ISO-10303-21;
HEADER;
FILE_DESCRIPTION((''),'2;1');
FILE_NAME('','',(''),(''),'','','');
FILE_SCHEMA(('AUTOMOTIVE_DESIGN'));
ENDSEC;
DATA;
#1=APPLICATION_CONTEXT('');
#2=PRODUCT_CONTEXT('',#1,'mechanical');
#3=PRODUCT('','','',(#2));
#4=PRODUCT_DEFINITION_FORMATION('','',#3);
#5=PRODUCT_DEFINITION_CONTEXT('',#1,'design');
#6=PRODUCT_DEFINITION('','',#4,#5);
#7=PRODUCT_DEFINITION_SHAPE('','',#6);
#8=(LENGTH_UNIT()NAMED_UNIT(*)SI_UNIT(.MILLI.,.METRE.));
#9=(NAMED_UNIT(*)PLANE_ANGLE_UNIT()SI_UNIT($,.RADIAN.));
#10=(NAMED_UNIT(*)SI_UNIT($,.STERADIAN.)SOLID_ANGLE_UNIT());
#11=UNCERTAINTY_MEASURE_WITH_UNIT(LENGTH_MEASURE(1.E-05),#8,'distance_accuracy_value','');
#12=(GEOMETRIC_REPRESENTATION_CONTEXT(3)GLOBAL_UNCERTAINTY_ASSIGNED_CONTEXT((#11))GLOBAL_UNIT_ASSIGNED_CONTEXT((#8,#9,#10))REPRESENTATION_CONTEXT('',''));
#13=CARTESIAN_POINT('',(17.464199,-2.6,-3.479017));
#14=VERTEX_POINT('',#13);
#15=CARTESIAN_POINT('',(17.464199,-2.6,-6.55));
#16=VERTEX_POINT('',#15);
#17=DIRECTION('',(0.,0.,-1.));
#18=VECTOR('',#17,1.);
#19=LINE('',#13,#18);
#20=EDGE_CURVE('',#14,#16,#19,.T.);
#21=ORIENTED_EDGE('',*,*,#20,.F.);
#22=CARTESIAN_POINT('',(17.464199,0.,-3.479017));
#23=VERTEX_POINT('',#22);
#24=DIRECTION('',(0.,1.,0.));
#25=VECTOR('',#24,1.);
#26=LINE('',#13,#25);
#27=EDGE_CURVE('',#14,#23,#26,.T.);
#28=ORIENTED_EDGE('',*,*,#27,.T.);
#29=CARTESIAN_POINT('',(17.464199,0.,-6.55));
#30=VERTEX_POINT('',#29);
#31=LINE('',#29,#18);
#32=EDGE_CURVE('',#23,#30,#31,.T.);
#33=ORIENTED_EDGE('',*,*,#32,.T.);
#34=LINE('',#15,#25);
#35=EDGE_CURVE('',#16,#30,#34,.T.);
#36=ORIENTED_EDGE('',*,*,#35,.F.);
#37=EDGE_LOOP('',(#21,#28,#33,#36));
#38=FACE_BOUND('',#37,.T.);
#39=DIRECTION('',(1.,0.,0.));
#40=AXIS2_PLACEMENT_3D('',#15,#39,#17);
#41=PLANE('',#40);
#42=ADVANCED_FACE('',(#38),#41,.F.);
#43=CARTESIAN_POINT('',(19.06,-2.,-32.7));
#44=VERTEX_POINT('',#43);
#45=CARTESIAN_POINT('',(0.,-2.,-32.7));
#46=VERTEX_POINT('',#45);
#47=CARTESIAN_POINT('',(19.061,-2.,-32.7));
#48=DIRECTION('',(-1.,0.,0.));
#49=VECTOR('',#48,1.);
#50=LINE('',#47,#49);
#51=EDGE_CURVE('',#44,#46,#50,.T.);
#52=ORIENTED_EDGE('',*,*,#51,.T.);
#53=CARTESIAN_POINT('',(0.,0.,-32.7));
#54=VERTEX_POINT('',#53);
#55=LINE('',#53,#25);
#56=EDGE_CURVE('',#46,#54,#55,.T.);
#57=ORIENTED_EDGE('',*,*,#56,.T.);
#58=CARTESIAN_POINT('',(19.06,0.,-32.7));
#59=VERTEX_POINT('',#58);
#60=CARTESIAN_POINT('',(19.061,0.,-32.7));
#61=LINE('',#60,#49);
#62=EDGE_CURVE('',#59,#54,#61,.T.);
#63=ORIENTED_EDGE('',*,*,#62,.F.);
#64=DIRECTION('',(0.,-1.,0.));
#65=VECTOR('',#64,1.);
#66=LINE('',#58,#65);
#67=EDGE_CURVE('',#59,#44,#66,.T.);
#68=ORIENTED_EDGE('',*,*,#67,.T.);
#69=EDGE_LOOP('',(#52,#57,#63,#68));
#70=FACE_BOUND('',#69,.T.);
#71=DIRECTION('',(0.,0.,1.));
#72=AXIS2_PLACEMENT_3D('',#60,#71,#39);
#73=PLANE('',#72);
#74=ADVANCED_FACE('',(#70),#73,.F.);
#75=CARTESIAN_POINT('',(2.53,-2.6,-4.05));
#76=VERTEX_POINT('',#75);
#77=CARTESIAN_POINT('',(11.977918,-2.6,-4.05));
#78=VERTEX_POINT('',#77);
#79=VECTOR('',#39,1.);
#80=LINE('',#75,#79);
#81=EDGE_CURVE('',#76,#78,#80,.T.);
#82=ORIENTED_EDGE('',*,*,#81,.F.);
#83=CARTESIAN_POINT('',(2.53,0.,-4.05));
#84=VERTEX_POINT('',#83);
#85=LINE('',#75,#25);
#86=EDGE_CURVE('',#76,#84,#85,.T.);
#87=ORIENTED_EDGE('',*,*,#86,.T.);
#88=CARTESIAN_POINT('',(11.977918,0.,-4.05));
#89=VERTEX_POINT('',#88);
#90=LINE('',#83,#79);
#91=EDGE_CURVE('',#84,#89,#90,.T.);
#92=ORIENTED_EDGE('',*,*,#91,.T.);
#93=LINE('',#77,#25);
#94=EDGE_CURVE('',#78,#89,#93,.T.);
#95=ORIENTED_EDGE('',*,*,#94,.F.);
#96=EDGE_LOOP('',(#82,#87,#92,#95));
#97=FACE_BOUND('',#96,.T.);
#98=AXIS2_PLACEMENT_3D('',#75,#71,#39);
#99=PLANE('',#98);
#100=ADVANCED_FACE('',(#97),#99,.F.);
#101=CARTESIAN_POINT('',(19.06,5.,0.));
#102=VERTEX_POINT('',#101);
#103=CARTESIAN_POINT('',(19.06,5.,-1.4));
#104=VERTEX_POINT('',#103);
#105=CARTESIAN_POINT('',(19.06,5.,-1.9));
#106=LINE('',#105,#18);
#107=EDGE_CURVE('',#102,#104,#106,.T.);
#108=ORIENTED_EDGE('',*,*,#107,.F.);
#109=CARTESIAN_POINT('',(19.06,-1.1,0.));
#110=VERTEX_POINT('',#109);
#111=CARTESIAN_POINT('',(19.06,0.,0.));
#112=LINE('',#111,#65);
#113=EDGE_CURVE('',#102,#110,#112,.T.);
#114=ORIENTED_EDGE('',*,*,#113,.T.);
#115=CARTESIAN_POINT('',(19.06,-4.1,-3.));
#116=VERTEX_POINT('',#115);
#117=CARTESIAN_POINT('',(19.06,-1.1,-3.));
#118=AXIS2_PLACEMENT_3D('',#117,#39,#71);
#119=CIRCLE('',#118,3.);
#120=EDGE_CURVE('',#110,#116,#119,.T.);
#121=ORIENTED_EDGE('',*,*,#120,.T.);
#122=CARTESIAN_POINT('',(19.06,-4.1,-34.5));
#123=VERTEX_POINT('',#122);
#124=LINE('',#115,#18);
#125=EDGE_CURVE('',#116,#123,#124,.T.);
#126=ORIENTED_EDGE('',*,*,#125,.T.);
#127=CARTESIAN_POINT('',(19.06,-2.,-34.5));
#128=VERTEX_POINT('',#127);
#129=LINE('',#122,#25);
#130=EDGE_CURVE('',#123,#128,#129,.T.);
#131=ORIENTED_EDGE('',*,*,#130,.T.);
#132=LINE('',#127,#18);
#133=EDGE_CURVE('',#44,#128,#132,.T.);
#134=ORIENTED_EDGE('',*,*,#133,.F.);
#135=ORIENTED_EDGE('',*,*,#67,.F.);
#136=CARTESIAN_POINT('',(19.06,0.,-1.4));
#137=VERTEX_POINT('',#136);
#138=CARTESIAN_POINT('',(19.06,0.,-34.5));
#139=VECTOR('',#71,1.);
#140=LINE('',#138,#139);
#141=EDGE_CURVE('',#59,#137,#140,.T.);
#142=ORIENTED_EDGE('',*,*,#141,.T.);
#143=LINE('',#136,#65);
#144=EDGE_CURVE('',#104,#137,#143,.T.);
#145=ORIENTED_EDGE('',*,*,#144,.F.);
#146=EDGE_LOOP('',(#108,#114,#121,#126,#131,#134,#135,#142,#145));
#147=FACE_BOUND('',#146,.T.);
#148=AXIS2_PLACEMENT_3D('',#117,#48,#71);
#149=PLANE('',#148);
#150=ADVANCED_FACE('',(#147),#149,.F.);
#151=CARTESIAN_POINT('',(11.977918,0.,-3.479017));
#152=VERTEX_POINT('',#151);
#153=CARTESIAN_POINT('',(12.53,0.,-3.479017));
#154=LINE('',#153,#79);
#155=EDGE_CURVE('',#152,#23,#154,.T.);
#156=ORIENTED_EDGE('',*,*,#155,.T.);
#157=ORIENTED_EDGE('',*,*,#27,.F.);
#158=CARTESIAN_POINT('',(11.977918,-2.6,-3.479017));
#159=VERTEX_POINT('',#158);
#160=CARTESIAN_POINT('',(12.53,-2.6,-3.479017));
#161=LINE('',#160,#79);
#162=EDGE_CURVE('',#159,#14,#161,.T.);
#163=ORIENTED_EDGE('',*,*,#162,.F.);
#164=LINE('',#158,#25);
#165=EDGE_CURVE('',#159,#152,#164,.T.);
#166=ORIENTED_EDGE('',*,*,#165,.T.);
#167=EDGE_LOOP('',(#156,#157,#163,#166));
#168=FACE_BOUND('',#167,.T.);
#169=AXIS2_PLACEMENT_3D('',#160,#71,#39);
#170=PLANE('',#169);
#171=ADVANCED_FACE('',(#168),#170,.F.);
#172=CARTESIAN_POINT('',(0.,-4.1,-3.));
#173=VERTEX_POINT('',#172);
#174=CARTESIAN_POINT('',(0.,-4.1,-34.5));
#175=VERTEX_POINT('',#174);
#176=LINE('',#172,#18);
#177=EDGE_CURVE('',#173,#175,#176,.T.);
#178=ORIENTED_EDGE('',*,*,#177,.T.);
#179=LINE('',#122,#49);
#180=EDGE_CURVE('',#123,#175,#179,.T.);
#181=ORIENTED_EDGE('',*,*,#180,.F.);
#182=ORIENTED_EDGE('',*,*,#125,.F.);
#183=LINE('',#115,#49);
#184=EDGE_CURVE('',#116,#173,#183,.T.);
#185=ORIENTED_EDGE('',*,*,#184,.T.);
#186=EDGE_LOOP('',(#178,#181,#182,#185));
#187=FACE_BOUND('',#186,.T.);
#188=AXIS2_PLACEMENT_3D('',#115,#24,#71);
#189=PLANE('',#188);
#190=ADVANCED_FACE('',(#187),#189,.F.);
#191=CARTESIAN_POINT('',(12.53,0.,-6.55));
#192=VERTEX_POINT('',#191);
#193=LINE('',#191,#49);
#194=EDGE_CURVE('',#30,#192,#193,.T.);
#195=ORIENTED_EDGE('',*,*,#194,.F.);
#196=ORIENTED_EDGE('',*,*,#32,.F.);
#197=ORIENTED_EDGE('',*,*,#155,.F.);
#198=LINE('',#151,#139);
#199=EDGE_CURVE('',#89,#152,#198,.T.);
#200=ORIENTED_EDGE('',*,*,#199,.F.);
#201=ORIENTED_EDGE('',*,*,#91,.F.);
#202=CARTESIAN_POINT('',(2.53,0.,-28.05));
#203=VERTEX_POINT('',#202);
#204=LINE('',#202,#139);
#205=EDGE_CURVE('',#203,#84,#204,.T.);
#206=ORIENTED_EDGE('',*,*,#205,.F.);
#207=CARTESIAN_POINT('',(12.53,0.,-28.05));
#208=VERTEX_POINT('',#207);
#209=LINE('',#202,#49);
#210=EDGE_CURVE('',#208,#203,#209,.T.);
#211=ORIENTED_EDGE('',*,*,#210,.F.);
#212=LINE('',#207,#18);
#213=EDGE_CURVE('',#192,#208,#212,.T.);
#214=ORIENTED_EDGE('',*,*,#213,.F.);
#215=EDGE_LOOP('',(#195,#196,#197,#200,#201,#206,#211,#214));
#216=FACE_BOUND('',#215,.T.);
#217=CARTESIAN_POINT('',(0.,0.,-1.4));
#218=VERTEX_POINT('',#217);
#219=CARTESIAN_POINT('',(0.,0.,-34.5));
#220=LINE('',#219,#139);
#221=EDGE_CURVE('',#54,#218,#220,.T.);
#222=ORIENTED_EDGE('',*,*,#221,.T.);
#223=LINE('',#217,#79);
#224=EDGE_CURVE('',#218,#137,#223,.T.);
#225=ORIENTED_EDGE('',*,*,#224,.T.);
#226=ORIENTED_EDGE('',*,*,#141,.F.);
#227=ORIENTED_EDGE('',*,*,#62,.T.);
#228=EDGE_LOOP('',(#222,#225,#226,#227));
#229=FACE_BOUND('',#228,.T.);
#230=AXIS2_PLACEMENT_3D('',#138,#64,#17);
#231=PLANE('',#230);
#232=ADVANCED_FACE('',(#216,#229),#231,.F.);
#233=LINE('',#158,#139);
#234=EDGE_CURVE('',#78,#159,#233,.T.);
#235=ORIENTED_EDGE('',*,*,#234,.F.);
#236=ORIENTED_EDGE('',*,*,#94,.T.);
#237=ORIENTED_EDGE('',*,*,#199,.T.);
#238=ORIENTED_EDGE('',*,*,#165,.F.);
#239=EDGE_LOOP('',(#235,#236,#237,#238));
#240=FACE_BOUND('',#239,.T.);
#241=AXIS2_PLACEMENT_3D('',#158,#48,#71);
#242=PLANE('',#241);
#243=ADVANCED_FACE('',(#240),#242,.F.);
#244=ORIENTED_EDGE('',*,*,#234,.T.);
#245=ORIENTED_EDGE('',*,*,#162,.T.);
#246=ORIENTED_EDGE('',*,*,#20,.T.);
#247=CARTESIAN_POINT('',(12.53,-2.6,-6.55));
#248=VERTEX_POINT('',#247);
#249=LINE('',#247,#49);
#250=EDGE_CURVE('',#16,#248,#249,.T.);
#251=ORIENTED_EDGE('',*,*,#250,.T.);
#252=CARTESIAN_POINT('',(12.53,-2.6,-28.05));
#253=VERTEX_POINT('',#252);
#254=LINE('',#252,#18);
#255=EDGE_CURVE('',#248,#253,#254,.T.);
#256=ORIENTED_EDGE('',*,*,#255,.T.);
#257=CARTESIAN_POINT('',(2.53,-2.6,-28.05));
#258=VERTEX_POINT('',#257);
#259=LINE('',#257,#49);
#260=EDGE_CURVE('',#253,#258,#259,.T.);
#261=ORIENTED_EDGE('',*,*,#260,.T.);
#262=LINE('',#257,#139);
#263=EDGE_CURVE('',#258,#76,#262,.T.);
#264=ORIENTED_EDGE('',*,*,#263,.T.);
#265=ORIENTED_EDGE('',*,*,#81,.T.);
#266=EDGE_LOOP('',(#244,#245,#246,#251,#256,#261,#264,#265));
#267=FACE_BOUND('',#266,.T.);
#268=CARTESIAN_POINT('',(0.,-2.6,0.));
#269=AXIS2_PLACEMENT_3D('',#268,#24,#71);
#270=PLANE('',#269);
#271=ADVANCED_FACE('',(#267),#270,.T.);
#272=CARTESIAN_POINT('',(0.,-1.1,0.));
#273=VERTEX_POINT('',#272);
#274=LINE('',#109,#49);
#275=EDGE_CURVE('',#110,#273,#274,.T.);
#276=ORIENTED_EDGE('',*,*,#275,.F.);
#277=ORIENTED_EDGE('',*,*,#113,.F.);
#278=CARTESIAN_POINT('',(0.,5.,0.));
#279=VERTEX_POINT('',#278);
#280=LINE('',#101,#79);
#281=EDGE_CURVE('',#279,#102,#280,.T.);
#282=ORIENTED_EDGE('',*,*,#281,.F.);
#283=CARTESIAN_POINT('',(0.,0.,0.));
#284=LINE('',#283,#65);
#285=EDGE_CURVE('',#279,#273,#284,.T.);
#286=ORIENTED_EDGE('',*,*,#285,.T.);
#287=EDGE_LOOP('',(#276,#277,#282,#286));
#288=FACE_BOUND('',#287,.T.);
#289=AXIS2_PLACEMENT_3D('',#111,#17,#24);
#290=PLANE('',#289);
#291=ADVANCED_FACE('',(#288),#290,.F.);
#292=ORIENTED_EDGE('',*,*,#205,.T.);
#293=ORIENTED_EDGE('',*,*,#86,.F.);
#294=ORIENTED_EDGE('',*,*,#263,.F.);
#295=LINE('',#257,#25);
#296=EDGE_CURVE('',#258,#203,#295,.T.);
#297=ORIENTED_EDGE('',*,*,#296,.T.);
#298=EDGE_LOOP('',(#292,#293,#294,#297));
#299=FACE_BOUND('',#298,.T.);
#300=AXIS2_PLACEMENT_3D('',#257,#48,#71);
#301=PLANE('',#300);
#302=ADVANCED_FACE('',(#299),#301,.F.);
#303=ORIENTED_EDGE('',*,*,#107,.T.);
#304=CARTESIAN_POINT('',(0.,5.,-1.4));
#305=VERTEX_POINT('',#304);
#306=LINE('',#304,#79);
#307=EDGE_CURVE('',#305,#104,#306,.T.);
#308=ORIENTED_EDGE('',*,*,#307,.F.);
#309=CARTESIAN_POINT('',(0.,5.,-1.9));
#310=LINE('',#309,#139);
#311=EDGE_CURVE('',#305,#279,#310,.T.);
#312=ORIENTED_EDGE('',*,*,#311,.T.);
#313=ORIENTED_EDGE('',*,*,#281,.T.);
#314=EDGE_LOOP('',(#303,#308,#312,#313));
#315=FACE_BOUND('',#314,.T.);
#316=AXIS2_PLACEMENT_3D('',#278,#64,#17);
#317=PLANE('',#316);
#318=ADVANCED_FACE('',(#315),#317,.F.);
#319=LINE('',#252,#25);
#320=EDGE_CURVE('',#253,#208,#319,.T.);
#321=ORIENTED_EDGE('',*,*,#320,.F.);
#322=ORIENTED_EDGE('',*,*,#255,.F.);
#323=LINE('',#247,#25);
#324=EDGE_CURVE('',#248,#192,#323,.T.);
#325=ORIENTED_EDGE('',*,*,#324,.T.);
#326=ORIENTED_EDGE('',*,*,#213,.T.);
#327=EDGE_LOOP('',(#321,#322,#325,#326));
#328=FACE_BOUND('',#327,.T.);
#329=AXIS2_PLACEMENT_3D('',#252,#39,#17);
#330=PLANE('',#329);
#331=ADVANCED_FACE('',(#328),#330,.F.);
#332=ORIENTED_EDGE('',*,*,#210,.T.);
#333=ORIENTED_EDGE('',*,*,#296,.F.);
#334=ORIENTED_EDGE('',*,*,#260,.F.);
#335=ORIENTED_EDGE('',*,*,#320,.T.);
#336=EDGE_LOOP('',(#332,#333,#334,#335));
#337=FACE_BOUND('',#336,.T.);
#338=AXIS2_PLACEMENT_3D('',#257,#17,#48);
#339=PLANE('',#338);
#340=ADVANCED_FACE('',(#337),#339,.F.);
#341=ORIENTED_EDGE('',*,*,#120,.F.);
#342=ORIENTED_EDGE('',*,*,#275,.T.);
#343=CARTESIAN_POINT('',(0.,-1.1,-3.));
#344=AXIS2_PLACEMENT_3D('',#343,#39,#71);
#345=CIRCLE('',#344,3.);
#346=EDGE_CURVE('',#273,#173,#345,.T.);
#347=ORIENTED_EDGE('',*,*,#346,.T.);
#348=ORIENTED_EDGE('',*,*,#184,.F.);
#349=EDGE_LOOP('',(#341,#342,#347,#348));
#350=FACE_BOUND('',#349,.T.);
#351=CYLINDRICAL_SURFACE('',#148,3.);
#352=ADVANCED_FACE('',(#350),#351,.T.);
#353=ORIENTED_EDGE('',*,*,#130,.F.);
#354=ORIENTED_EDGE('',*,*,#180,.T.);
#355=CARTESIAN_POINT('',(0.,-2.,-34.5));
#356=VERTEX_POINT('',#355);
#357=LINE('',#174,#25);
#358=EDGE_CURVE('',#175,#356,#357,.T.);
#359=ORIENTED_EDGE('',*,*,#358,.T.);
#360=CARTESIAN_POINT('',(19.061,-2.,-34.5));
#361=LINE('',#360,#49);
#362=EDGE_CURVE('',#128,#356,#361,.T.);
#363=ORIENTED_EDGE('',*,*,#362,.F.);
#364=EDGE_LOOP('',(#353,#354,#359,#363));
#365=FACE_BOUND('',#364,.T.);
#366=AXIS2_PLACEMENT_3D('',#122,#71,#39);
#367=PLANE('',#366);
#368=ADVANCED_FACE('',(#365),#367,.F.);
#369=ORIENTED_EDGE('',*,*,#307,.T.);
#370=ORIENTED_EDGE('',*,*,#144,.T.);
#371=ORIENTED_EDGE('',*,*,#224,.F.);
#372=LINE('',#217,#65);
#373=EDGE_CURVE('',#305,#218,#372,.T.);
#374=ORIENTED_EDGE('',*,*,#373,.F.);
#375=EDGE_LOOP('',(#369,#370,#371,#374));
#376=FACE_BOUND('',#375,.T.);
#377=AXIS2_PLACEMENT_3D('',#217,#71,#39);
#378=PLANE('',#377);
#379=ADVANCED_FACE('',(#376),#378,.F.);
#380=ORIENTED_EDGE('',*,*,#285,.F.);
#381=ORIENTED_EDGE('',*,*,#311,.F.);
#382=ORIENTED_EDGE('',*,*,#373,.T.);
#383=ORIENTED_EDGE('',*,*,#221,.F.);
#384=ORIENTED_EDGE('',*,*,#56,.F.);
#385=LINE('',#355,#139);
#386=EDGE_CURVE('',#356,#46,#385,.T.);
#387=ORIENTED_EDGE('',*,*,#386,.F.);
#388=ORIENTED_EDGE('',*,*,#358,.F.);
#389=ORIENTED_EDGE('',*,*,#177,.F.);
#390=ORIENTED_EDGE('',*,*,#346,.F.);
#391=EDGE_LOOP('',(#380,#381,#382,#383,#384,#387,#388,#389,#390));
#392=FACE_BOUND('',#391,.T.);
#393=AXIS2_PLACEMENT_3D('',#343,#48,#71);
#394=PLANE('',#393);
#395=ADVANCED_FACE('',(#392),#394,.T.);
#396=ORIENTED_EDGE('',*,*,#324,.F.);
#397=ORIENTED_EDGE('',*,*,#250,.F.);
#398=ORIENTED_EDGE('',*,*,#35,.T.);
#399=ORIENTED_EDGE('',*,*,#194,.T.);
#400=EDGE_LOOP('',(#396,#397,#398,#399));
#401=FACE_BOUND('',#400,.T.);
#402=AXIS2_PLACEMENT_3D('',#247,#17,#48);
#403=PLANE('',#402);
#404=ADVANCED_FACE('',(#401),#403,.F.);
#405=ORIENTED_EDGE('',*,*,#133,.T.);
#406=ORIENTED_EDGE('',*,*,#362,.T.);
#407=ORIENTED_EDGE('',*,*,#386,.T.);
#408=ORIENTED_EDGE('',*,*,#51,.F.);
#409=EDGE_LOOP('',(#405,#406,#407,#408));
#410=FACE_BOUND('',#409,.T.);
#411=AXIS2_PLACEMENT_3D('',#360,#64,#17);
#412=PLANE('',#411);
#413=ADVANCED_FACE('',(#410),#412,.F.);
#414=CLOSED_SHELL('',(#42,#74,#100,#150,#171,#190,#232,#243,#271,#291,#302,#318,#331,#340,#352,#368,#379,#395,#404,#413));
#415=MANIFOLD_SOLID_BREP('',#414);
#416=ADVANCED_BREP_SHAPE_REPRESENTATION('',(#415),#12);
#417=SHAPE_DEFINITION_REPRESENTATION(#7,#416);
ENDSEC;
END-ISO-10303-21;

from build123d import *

# Parameters (mm, degrees)
EXTRUDE_1_DEPTH     = 19.06
CUT_EXTRUDE_1_DEPTH = 2.6
SKETCH_3_W          = 19.06
SKETCH_3_H          = 1.9
EXTRUDE_2_DEPTH     = 5
CUT_EXTRUDE_2_REACH = 41.731
SKETCH_4_W          = 1.8
SKETCH_4_H          = 2
SKETCH_5_W          = 0.5
SKETCH_5_H          = 5
CUT_EXTRUDE_3_DEPTH = 40.730763899


with BuildPart() as part:
    # 草图1 → 凸台-拉伸1 (new body)
    with BuildSketch(Plane(origin=(0, 0, 0), x_dir=(0, 0, -1), z_dir=(1, 0, 0))):
        with BuildLine():
            Line((0, 0), (0, -1.1))
            ThreePointArc((0, -1.1), (0.878679656, -3.221320344), (3, -4.1))
            Line((3, -4.1), (34.5, -4.1))
            Line((34.5, -4.1), (34.5, 0))
            Line((34.5, 0), (0, 0))
        make_face()
    extrude(amount=EXTRUDE_1_DEPTH)

    # 草图2 → 切除-拉伸1 (cut)
    with BuildSketch(Plane(origin=(0, 0, 0), x_dir=(1, 0, 0), z_dir=(0, 1, 0))):
        Polygon((2.53, 28.05), (12.53, 28.05), (12.53, 6.55), (17.464199463, 6.55), (17.464199463, 4.05), (17.464199463, 3.479016937), (12.53, 3.479016937), (11.977918136, 3.479016937), (11.977918136, 4.05), (2.53, 4.05), align=None)
    extrude(amount=-CUT_EXTRUDE_1_DEPTH, mode=Mode.SUBTRACT)

    # 草图3 → 凸台-拉伸2 (add)
    with BuildSketch(Plane(origin=(0, 0, 0), x_dir=(1, 0, 0), z_dir=(0, 1, 0))):
        with Locations((9.53, 0.95)):
            Rectangle(SKETCH_3_W, SKETCH_3_H)
    extrude(amount=EXTRUDE_2_DEPTH)

    # 草图4 → 切除-拉伸2 (cut, up to next)
    with BuildSketch(Plane.ZY, mode=Mode.PRIVATE) as cut_extrude_2_sk1:
        with Locations((-33.6, -1)):
            Rectangle(SKETCH_4_W, SKETCH_4_H)
    cut_extrude_2_tool1 = extrude(cut_extrude_2_sk1.sketch, amount=-CUT_EXTRUDE_2_REACH, mode=Mode.PRIVATE) & part.part
    add(cut_extrude_2_tool1.solids().sort_by_distance((0, -1, -33.6))[0], mode=Mode.SUBTRACT)

    # 草图5 → 切除-拉伸3 (cut, through all)
    with BuildSketch(Plane(origin=(19.06, 0, 0), x_dir=(0, 0, -1), z_dir=(1, 0, 0))):
        with Locations((1.65, 2.5)):
            Rectangle(SKETCH_5_W, SKETCH_5_H)
    extrude(amount=-CUT_EXTRUDE_3_DEPTH, mode=Mode.SUBTRACT)


solid = part.part
